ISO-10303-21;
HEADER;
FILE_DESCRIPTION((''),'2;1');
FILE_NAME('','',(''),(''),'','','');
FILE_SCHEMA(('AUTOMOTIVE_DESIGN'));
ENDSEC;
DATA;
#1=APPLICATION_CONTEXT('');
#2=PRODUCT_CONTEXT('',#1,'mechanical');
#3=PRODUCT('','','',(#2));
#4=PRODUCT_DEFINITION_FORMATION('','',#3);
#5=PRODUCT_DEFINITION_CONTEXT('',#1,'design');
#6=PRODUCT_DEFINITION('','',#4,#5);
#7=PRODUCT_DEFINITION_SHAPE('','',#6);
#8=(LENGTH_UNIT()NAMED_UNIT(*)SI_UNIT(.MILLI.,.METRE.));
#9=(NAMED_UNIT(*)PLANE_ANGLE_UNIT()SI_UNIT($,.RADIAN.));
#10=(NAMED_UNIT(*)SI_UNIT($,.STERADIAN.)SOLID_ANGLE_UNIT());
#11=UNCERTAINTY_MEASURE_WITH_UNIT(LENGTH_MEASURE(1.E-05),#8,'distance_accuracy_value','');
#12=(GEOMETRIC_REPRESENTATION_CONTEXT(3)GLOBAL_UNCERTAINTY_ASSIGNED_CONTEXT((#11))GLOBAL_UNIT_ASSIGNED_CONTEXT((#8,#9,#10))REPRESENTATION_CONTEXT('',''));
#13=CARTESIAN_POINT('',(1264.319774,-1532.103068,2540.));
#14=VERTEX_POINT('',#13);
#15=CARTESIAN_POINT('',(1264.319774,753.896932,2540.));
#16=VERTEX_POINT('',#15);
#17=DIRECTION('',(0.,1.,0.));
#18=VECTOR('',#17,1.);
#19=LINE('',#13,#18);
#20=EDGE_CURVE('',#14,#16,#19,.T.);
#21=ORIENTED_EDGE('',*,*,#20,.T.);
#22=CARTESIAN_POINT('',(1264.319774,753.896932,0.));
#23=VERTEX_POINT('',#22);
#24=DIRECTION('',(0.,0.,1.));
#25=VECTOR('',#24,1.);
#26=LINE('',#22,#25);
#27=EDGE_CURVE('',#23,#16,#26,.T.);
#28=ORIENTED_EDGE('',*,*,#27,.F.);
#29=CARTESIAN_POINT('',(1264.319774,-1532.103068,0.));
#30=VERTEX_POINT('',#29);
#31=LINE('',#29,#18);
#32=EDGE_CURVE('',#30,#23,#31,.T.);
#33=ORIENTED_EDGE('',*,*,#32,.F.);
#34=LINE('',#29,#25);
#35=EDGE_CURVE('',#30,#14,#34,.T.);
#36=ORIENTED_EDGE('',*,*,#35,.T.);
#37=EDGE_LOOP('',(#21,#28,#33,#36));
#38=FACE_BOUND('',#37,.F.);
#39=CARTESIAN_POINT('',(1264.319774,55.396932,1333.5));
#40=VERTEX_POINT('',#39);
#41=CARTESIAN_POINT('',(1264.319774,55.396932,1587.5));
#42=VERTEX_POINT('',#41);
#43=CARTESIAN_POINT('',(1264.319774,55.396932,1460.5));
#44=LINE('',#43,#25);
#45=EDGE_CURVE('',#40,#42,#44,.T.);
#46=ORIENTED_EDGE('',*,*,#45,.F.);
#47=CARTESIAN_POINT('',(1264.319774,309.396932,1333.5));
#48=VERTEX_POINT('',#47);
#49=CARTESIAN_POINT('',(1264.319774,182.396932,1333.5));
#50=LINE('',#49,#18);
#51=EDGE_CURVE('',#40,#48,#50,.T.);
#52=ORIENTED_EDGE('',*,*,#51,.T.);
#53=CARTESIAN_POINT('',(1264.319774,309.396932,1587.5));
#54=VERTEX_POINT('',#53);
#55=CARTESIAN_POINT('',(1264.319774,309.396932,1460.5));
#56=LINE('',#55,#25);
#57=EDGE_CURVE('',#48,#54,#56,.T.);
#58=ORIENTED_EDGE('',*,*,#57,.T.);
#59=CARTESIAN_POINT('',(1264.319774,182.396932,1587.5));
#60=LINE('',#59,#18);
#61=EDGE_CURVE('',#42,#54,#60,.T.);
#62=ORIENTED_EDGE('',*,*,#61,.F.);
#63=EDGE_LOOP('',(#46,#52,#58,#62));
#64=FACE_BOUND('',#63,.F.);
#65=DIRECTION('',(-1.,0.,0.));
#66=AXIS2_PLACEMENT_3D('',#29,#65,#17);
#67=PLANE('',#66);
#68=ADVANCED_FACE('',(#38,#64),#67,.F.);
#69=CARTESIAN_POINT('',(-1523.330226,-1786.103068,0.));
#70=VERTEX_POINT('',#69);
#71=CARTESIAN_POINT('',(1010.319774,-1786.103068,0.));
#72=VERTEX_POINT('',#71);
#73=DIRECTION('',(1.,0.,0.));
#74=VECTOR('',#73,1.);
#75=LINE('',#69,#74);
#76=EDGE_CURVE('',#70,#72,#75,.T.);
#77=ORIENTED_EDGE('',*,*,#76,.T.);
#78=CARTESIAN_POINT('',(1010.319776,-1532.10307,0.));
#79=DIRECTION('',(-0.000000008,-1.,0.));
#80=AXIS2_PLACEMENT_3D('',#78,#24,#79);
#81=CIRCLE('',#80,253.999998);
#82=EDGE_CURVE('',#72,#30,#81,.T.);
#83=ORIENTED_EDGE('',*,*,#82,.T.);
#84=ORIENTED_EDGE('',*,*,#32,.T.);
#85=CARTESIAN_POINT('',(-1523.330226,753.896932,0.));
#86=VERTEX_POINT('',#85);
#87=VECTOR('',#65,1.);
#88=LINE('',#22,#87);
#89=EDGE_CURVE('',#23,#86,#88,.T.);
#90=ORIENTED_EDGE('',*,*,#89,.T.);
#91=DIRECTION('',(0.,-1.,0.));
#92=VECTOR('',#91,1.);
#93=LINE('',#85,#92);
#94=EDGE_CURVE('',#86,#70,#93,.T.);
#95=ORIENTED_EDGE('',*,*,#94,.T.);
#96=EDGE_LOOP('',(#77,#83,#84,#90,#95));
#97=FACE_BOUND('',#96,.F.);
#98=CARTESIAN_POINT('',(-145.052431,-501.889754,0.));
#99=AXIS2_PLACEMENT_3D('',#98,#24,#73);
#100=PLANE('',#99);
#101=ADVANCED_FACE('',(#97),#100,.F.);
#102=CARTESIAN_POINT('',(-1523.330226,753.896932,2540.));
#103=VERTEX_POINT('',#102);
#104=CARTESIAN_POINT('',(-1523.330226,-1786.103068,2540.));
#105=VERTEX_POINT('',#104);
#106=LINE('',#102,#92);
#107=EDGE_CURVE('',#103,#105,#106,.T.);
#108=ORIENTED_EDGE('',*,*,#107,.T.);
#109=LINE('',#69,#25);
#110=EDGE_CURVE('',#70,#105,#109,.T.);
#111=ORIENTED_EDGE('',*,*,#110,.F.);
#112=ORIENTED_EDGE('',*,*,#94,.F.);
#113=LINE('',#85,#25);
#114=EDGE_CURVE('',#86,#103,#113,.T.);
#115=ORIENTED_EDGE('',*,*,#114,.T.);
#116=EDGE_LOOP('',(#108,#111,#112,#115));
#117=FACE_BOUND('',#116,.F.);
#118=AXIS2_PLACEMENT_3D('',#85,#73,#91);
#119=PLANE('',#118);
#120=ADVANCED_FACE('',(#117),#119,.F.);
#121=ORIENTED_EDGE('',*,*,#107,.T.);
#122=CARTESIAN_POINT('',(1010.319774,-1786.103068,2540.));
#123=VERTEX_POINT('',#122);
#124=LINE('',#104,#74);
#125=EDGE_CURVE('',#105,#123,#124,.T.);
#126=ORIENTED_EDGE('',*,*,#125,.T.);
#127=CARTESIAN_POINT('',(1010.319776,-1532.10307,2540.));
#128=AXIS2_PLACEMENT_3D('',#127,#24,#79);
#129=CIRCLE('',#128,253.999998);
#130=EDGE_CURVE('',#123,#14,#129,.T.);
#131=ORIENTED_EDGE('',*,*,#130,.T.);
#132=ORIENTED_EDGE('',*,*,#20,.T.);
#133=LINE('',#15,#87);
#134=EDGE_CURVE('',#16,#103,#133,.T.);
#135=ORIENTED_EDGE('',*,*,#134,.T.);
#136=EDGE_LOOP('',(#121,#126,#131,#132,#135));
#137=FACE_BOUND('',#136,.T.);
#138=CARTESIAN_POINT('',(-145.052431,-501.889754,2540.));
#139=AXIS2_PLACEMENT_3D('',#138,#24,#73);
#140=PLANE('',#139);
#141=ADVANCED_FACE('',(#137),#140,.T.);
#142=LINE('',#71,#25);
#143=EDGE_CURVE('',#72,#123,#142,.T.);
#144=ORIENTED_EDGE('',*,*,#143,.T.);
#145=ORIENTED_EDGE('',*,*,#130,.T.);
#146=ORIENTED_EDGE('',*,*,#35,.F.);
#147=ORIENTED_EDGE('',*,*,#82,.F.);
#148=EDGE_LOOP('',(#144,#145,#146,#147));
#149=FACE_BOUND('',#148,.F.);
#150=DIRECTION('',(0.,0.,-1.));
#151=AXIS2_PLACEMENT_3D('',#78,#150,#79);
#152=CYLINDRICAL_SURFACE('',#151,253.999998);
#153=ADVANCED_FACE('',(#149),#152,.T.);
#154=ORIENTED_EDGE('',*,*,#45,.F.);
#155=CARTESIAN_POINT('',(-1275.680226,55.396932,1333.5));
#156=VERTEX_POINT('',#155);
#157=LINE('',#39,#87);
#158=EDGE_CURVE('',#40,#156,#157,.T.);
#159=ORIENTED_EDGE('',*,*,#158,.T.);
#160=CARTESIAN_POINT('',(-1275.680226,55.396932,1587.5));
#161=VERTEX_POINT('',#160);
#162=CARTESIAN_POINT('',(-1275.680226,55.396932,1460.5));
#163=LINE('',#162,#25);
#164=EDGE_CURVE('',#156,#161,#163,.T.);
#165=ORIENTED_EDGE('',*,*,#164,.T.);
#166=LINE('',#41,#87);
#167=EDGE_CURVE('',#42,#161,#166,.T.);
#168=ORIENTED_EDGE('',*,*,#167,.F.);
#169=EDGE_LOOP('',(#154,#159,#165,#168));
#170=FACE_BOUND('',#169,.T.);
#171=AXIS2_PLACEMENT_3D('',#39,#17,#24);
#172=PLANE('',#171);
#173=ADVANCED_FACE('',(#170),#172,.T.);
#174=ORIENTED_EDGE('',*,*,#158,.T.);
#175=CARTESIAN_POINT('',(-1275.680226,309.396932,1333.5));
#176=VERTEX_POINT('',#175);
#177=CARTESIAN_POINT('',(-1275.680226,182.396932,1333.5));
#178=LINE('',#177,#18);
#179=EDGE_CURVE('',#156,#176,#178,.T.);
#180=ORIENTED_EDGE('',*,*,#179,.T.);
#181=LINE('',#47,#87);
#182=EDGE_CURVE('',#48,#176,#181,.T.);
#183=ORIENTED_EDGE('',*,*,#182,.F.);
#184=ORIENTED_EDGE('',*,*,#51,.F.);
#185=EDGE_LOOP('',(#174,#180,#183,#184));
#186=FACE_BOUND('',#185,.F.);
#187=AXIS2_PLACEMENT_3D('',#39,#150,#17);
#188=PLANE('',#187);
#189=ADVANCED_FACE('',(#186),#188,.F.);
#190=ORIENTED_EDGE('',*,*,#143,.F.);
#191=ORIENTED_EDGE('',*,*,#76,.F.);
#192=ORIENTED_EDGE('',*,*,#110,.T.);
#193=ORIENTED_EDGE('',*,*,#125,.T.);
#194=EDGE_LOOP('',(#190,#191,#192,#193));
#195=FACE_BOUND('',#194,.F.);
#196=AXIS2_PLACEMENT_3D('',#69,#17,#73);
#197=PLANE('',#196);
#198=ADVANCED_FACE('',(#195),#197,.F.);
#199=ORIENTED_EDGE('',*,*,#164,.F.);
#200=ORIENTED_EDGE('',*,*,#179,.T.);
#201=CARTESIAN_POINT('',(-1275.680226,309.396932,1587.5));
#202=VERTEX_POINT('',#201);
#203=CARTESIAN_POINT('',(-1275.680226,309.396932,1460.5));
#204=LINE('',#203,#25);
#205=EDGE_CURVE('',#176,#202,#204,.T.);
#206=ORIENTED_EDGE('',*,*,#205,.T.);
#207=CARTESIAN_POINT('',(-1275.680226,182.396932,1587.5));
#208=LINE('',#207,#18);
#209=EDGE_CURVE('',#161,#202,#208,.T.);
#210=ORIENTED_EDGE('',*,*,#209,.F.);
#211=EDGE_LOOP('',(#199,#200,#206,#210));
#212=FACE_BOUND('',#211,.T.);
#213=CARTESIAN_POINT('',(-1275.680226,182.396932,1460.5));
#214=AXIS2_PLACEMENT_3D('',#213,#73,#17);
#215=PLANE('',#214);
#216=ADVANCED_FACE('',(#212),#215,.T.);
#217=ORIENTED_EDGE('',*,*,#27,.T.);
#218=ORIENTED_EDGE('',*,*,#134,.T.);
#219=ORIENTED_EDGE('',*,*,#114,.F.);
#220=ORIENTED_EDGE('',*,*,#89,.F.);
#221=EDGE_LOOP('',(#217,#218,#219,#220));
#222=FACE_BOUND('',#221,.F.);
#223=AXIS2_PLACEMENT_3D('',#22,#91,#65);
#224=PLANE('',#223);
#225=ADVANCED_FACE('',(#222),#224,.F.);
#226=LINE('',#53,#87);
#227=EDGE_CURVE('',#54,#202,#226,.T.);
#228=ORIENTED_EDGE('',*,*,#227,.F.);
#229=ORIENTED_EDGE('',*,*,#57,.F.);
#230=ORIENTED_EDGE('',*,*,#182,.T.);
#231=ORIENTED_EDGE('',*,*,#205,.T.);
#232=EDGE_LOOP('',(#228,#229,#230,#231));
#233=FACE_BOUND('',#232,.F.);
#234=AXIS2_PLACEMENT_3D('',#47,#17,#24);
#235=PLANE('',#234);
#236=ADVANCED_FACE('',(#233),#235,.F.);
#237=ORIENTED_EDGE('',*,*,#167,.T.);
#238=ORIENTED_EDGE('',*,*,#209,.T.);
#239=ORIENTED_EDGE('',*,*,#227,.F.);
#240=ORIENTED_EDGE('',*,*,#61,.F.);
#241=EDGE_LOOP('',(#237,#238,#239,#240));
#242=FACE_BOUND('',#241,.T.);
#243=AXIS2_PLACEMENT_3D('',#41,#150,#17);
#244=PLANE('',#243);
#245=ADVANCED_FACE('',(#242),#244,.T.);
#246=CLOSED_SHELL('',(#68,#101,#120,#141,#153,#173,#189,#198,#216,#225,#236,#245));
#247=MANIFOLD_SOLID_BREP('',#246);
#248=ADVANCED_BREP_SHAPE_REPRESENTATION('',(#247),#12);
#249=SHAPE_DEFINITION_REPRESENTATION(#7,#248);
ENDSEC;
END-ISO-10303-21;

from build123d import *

# Parameters (mm, degrees)
F1_DEPTH = 2540
F2_W     = 254
F2_H     = 254
F3_DEPTH = 2540


with BuildPart() as f1:
    # F0 (on Top) → F1 (new body)
    with BuildSketch(Plane.XY):
        with BuildLine():
            Line((1264.319774, 753.896932), (-1523.330226, 753.896932))
            Line((-1523.330226, 753.896932), (-1523.330226, -1786.103068))
            Line((-1523.330226, -1786.103068), (1010.319774, -1786.103068))
            ThreePointArc((1010.319774, -1786.103068), (1189.924897, -1711.708191), (1264.319774, -1532.103068))
            Line((1264.319774, -1532.103068), (1264.319774, 753.896932))
        make_face()
    extrude(amount=F1_DEPTH)

    # F2 (on face) → F3 (cut)
    with BuildSketch(Plane.YZ.offset(1264.319774)):
        with Locations((182.396932, 1460.5)):
            Rectangle(F2_W, F2_H)
    extrude(amount=-F3_DEPTH, mode=Mode.SUBTRACT)


solid = f1.part
